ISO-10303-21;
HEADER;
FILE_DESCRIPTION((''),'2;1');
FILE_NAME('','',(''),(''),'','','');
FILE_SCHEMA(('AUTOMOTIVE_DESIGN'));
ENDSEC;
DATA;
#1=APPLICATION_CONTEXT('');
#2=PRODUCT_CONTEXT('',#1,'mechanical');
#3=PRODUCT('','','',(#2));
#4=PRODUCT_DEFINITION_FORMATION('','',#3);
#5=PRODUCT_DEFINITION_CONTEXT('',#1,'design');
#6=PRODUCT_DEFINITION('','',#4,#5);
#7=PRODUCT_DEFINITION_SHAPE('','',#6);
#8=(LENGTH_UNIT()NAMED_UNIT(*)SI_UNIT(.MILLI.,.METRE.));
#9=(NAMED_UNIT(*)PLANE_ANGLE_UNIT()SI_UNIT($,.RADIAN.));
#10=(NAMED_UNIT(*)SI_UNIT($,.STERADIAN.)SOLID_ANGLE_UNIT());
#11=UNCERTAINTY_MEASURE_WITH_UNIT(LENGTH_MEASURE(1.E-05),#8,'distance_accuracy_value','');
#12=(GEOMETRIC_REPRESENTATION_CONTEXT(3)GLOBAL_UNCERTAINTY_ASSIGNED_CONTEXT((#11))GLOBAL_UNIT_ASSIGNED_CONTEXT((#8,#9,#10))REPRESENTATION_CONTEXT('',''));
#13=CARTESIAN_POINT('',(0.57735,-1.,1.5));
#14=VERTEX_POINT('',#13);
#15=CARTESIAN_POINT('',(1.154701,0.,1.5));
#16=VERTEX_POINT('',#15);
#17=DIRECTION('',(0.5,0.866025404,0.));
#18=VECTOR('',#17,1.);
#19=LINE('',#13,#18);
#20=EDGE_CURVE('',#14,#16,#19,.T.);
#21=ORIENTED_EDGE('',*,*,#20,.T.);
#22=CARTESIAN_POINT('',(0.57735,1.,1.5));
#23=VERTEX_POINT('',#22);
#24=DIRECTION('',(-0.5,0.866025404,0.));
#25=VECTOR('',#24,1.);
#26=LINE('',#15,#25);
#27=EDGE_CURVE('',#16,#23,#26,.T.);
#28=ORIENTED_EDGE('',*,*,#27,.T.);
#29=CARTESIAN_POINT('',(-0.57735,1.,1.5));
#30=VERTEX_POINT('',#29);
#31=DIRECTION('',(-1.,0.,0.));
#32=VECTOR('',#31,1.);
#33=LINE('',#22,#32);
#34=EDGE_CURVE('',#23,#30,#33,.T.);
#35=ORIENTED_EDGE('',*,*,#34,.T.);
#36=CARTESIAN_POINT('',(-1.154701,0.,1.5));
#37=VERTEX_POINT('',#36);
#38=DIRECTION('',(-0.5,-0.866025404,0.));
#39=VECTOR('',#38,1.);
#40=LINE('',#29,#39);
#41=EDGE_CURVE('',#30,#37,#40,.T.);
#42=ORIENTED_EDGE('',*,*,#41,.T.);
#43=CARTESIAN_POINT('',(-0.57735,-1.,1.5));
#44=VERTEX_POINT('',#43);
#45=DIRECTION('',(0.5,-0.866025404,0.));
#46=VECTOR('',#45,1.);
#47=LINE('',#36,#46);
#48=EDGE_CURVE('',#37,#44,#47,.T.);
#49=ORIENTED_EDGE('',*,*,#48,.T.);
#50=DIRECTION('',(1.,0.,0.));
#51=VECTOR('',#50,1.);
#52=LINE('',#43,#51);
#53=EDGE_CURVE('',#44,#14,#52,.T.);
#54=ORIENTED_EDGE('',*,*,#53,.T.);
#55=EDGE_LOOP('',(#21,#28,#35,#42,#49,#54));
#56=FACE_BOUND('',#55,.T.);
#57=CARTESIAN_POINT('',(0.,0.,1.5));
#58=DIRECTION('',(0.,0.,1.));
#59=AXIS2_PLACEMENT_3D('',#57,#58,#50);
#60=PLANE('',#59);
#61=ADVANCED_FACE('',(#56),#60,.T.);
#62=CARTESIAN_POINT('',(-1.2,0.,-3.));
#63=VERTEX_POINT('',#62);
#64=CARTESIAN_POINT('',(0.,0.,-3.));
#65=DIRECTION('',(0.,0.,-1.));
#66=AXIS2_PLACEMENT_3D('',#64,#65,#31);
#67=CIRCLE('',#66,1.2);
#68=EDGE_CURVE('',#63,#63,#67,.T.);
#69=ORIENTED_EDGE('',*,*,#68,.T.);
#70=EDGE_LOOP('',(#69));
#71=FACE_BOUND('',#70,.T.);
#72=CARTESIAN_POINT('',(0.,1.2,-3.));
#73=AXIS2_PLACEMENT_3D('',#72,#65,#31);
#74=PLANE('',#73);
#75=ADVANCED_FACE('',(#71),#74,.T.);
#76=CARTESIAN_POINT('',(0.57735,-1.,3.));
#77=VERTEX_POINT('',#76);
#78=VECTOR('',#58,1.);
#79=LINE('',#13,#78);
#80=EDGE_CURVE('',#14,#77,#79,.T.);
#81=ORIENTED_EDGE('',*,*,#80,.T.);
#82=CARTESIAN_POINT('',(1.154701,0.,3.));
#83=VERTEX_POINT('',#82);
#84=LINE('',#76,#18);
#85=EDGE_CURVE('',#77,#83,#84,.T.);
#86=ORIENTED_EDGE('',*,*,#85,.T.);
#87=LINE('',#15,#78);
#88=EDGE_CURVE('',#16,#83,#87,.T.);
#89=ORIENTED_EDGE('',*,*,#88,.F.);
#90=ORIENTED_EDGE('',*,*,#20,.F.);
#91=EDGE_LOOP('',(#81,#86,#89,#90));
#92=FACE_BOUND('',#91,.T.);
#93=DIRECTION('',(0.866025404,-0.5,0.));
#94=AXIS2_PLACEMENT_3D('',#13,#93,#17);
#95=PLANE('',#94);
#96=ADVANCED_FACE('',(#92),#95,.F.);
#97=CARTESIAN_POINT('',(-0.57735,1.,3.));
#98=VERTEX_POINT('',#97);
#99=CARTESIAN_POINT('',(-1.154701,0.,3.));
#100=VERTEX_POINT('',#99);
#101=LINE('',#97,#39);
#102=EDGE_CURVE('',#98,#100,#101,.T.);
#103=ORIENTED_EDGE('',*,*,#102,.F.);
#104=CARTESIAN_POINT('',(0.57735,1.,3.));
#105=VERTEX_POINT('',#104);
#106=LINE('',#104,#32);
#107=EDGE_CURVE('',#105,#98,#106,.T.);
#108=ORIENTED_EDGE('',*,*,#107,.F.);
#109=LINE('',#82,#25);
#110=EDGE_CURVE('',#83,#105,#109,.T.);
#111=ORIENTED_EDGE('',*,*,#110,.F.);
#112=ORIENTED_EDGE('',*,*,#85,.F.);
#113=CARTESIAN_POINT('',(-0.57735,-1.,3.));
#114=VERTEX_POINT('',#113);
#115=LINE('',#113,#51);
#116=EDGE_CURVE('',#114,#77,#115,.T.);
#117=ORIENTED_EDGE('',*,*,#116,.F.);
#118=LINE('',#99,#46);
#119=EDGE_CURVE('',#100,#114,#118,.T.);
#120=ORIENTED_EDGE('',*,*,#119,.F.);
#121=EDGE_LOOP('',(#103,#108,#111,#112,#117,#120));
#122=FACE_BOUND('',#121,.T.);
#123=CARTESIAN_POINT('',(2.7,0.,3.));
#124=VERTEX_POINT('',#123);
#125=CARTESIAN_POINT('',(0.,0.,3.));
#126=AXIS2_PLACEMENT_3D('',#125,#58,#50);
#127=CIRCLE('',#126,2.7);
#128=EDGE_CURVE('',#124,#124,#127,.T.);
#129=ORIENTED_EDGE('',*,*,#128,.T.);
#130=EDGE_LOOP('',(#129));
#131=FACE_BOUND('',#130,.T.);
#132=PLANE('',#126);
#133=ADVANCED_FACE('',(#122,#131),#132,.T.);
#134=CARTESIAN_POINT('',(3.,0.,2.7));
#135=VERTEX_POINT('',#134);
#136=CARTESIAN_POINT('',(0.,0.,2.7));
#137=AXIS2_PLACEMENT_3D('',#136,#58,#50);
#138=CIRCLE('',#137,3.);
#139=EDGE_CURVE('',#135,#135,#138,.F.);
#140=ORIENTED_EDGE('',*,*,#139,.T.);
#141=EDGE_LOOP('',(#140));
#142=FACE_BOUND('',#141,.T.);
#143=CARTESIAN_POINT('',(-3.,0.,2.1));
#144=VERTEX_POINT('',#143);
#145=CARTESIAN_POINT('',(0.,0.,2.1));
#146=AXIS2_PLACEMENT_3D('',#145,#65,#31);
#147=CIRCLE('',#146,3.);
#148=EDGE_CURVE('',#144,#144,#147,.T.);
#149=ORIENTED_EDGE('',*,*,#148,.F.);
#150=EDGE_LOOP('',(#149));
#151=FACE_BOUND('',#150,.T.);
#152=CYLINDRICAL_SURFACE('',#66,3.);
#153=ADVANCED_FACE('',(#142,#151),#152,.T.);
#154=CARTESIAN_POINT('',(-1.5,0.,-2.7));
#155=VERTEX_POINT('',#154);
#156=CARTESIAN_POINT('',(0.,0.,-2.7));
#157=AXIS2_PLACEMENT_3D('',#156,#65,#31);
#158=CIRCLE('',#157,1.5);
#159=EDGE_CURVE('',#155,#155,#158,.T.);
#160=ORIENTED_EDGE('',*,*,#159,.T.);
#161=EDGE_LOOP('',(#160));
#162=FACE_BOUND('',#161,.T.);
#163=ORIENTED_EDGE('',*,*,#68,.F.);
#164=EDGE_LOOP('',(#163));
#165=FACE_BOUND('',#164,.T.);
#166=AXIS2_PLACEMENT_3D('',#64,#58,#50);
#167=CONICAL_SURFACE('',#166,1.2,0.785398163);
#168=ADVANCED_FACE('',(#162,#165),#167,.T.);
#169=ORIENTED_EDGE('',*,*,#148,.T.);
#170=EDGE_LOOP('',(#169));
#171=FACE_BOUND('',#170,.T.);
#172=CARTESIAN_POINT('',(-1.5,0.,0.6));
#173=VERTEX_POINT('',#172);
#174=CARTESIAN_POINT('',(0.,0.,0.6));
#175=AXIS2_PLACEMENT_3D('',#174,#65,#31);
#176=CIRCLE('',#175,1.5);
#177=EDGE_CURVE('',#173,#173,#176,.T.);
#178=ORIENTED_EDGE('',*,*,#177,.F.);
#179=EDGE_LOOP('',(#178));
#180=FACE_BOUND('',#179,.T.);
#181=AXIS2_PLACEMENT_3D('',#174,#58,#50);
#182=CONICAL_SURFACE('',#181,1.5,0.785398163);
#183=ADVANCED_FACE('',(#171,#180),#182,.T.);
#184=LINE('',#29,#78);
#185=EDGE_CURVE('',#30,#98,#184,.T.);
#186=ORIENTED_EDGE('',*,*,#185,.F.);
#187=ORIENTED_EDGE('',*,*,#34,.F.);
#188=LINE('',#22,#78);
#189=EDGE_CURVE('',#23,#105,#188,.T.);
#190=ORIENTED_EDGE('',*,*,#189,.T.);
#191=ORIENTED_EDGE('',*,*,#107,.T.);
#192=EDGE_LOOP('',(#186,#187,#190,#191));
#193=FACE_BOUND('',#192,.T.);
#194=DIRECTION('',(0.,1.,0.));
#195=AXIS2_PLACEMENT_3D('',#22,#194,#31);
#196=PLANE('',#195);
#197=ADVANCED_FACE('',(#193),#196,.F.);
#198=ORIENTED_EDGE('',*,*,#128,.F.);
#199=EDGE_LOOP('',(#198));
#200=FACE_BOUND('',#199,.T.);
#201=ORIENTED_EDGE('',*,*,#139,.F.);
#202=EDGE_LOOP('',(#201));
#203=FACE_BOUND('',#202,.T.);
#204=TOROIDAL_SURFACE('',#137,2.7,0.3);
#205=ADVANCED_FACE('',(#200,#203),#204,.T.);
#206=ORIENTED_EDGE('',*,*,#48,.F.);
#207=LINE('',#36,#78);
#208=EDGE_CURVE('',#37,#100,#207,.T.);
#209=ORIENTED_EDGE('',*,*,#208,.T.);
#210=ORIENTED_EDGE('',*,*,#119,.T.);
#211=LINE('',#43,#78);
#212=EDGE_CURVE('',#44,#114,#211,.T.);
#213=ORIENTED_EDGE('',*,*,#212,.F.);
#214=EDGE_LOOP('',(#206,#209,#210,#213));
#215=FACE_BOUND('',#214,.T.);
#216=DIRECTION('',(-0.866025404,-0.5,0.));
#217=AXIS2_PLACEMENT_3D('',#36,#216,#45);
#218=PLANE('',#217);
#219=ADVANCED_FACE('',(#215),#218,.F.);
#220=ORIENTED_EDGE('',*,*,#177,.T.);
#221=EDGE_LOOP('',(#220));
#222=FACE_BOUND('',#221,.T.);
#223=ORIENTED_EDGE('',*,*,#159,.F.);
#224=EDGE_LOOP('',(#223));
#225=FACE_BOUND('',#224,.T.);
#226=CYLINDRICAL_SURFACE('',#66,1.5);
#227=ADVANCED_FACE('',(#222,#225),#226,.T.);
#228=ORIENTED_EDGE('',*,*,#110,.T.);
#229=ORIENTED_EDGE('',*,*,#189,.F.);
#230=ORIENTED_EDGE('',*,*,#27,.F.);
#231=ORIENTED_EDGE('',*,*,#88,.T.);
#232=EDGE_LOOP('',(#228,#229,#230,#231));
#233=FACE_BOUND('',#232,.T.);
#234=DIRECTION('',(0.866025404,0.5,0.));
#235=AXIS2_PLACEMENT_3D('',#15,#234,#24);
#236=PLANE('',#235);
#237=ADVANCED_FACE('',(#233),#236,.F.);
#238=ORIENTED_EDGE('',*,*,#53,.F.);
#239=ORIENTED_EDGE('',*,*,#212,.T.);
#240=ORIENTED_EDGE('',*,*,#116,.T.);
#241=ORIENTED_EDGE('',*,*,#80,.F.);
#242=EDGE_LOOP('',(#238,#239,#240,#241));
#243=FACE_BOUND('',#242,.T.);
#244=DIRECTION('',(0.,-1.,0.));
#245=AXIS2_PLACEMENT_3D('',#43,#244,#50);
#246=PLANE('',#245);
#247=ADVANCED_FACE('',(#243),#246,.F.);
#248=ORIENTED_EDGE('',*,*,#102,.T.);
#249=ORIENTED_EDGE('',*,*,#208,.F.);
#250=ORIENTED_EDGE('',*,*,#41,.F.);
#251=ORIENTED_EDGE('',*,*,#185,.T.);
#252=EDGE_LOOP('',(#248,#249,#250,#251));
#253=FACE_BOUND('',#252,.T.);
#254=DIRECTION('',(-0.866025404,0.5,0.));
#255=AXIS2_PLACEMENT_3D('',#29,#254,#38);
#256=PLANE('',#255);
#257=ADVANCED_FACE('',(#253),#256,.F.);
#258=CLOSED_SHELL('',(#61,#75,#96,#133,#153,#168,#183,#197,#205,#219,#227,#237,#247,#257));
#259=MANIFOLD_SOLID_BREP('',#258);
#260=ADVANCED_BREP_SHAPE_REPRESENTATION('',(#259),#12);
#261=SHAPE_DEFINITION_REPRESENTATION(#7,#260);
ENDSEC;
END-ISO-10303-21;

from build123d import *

# Parameters (mm, degrees)
CUT_EXTRUDE_1_DEPTH = 1.5
FILLET_1_R          = 0.3


with BuildPart() as part:
    # 草图1 → 旋转1 (revolve)
    with BuildSketch(Plane(origin=(0, 0, 0), x_dir=(0, 0, -1), z_dir=(1, 0, 0)), mode=Mode.PRIVATE) as revolve_1_sk:
        Polygon((-3, 0), (-3, 3), (-2.1, 3), (-0.6, 1.5), (2.7, 1.5), (3, 1.2), (3, 0), align=None)
    revolve(revolve_1_sk.sketch.rotate(Axis((0, 0, -3), (0, 0, 1)), 90), axis=Axis((0, 0, -3), (0, 0, 1)))

    # 草图2 → 切除-拉伸1 (cut)
    with BuildSketch(Plane.XY.offset(3)):
        Polygon((1.154700538, 0), (0.577350269, 1), (-0.577350269, 1), (-1.154700538, 0), (-0.577350269, -1), (0.577350269, -1), align=None)
    extrude(amount=-CUT_EXTRUDE_1_DEPTH, mode=Mode.SUBTRACT)

    # 圆角1
    fillet_1_edges = [part.edges().sort_by_distance(p)[0] for p in [
        (3, 0, 3),
    ]]
    fillet(fillet_1_edges, radius=FILLET_1_R)


solid = part.part
